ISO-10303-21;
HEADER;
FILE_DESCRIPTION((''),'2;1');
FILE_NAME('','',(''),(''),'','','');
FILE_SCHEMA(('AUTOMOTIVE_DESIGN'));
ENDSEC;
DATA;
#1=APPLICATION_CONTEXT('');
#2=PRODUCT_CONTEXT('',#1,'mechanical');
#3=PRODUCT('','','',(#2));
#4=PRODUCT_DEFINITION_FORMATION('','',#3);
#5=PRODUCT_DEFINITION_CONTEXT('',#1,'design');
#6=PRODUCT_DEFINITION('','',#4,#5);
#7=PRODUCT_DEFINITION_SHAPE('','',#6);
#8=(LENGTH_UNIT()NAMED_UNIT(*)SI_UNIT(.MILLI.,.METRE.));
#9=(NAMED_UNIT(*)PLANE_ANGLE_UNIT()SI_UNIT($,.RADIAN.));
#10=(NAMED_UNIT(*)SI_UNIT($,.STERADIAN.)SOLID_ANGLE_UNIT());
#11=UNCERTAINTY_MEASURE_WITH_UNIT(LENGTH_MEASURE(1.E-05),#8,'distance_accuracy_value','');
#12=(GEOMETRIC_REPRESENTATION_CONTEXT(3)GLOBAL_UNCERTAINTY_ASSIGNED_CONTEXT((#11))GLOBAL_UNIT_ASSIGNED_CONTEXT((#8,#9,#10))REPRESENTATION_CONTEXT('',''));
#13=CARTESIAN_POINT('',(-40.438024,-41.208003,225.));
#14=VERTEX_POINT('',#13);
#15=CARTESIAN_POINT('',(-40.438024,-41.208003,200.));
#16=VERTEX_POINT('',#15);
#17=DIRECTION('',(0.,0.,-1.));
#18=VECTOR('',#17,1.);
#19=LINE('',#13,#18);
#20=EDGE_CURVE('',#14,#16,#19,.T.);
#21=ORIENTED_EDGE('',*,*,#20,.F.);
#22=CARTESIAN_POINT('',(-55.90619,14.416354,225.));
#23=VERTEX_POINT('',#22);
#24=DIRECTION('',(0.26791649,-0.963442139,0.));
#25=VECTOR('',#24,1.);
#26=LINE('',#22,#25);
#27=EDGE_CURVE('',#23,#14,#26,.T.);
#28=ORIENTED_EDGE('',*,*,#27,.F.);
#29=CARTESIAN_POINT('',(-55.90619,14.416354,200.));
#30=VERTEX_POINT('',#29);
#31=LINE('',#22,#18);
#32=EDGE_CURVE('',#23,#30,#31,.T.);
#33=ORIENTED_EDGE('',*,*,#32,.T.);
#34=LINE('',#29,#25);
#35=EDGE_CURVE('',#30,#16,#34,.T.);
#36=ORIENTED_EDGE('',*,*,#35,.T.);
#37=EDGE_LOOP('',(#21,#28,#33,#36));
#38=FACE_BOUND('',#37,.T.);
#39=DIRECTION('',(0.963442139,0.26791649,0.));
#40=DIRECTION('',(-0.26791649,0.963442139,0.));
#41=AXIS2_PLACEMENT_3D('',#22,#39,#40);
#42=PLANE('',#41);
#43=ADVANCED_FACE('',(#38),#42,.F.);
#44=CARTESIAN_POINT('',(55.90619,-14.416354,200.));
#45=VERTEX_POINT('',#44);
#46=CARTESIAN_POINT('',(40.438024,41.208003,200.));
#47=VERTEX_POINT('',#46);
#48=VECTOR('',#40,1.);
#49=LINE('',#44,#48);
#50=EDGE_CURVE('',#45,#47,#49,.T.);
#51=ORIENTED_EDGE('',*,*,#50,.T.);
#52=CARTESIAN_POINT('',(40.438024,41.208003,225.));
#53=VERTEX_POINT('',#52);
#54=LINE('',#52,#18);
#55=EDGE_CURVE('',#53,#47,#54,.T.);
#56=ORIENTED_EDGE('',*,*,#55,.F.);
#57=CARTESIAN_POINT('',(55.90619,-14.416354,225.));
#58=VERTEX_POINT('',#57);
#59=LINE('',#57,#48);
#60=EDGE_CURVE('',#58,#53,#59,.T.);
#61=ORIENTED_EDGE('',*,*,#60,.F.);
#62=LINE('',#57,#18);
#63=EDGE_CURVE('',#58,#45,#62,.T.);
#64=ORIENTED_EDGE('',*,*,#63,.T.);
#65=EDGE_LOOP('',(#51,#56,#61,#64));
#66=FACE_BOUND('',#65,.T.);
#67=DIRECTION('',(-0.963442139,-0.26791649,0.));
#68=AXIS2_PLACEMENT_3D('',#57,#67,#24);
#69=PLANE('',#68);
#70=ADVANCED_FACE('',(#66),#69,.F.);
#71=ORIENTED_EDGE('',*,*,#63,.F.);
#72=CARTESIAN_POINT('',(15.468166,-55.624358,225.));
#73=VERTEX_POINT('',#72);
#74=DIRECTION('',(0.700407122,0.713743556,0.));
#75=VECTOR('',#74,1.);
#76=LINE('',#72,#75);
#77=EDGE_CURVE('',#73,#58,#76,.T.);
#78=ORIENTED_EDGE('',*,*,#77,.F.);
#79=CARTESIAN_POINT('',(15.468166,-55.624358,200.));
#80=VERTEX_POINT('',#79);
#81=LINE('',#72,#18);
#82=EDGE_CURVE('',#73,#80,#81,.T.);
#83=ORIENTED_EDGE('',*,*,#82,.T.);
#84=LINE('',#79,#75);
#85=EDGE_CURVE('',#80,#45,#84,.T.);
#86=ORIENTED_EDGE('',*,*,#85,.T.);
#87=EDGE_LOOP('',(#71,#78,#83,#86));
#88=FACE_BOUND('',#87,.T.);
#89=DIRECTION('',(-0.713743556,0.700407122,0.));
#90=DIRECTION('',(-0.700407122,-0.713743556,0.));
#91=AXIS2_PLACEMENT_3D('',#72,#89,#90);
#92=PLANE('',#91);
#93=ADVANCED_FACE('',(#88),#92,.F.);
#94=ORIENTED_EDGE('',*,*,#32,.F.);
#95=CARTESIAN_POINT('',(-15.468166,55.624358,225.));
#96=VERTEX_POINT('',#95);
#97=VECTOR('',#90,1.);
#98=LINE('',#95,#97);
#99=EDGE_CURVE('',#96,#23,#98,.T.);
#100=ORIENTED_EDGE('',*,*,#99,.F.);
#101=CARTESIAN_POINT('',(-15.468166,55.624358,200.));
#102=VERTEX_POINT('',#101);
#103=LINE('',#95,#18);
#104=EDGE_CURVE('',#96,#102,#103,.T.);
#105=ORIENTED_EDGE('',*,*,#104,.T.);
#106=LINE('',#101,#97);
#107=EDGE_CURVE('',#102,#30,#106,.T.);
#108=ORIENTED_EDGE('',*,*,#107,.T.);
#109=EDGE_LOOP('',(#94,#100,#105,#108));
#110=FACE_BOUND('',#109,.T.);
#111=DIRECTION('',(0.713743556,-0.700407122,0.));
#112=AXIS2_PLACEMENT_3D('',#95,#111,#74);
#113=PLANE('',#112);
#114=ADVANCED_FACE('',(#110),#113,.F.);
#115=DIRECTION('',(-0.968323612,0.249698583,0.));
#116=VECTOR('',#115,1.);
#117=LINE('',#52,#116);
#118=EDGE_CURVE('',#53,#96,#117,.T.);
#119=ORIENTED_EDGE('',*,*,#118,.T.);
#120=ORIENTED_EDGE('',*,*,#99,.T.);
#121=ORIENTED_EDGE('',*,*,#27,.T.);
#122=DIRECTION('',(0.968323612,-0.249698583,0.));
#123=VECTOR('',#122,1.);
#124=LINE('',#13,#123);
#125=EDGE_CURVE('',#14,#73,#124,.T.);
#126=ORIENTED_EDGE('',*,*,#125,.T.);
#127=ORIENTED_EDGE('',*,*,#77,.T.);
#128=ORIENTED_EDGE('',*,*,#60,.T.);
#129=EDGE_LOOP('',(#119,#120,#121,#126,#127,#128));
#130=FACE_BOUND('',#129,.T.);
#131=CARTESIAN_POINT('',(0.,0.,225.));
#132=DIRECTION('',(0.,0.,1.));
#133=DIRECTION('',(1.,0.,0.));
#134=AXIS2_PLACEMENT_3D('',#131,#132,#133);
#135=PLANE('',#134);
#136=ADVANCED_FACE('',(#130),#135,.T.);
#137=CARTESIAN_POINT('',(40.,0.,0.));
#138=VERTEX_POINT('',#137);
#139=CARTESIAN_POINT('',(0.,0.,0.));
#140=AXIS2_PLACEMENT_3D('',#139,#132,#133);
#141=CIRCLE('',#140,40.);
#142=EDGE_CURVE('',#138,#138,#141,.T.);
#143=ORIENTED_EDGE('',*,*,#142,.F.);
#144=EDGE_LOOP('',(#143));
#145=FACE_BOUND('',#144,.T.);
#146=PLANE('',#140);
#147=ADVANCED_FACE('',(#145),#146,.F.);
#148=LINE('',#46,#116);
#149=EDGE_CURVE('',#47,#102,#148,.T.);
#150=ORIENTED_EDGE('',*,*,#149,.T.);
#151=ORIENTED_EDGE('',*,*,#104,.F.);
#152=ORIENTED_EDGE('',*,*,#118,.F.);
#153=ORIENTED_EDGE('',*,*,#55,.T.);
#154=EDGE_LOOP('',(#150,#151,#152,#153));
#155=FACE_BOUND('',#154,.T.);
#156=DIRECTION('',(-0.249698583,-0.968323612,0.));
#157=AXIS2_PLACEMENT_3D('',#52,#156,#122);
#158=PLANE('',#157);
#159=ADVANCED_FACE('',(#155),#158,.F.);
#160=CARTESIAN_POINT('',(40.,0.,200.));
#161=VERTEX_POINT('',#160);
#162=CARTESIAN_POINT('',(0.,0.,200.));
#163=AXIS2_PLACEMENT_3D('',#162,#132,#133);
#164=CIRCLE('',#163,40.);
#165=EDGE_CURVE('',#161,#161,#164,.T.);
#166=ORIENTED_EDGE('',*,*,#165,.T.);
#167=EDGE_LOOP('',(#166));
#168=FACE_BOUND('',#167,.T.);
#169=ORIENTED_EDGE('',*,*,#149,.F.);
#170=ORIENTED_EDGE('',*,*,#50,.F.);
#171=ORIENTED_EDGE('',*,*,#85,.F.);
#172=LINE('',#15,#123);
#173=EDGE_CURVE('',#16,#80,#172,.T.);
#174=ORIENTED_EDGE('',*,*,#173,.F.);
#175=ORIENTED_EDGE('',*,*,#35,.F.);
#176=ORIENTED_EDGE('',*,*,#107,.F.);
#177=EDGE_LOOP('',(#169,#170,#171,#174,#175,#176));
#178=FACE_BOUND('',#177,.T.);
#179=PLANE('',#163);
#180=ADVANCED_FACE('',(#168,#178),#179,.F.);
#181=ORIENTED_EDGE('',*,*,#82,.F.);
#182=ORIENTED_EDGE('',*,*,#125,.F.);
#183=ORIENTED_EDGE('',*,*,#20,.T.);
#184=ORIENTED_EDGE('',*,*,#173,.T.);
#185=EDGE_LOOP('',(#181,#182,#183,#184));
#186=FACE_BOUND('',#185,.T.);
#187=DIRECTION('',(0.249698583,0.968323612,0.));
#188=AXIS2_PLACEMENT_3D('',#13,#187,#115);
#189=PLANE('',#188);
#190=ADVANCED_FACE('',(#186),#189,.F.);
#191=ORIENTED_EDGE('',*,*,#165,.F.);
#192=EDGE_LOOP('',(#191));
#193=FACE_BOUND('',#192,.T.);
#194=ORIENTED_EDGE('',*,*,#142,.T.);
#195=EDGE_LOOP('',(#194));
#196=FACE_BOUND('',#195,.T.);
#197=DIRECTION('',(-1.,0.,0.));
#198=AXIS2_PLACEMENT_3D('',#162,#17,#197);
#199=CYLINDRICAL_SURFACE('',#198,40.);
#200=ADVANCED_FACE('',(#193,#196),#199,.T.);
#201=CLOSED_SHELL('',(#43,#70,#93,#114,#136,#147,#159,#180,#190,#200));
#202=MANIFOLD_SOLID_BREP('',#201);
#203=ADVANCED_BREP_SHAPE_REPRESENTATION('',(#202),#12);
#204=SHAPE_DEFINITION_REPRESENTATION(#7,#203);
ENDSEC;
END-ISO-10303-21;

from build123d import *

# Parameters (mm, degrees)
ESQUISSE1_R        = 40
BOSS_EXTRU_1_DEPTH = 200
BOSS_EXTRU_2_DEPTH = 25


with BuildPart() as part:
    # Esquisse1 → Boss.-Extru.1 (new body)
    with BuildSketch(Plane.XY):
        Circle(ESQUISSE1_R)
    extrude(amount=BOSS_EXTRU_1_DEPTH)

    # Esquisse2 → Boss.-Extru.2 (add)
    with BuildSketch(Plane.XY.offset(200)):
        Polygon((55.906189806, -14.416354416), (40.438024058, 41.208003393), (-15.468165749, 55.624357809), (-55.906189806, 14.416354416), (-40.438024058, -41.208003393), (15.468165749, -55.624357809), align=None)
    extrude(amount=BOSS_EXTRU_2_DEPTH)


solid = part.part
